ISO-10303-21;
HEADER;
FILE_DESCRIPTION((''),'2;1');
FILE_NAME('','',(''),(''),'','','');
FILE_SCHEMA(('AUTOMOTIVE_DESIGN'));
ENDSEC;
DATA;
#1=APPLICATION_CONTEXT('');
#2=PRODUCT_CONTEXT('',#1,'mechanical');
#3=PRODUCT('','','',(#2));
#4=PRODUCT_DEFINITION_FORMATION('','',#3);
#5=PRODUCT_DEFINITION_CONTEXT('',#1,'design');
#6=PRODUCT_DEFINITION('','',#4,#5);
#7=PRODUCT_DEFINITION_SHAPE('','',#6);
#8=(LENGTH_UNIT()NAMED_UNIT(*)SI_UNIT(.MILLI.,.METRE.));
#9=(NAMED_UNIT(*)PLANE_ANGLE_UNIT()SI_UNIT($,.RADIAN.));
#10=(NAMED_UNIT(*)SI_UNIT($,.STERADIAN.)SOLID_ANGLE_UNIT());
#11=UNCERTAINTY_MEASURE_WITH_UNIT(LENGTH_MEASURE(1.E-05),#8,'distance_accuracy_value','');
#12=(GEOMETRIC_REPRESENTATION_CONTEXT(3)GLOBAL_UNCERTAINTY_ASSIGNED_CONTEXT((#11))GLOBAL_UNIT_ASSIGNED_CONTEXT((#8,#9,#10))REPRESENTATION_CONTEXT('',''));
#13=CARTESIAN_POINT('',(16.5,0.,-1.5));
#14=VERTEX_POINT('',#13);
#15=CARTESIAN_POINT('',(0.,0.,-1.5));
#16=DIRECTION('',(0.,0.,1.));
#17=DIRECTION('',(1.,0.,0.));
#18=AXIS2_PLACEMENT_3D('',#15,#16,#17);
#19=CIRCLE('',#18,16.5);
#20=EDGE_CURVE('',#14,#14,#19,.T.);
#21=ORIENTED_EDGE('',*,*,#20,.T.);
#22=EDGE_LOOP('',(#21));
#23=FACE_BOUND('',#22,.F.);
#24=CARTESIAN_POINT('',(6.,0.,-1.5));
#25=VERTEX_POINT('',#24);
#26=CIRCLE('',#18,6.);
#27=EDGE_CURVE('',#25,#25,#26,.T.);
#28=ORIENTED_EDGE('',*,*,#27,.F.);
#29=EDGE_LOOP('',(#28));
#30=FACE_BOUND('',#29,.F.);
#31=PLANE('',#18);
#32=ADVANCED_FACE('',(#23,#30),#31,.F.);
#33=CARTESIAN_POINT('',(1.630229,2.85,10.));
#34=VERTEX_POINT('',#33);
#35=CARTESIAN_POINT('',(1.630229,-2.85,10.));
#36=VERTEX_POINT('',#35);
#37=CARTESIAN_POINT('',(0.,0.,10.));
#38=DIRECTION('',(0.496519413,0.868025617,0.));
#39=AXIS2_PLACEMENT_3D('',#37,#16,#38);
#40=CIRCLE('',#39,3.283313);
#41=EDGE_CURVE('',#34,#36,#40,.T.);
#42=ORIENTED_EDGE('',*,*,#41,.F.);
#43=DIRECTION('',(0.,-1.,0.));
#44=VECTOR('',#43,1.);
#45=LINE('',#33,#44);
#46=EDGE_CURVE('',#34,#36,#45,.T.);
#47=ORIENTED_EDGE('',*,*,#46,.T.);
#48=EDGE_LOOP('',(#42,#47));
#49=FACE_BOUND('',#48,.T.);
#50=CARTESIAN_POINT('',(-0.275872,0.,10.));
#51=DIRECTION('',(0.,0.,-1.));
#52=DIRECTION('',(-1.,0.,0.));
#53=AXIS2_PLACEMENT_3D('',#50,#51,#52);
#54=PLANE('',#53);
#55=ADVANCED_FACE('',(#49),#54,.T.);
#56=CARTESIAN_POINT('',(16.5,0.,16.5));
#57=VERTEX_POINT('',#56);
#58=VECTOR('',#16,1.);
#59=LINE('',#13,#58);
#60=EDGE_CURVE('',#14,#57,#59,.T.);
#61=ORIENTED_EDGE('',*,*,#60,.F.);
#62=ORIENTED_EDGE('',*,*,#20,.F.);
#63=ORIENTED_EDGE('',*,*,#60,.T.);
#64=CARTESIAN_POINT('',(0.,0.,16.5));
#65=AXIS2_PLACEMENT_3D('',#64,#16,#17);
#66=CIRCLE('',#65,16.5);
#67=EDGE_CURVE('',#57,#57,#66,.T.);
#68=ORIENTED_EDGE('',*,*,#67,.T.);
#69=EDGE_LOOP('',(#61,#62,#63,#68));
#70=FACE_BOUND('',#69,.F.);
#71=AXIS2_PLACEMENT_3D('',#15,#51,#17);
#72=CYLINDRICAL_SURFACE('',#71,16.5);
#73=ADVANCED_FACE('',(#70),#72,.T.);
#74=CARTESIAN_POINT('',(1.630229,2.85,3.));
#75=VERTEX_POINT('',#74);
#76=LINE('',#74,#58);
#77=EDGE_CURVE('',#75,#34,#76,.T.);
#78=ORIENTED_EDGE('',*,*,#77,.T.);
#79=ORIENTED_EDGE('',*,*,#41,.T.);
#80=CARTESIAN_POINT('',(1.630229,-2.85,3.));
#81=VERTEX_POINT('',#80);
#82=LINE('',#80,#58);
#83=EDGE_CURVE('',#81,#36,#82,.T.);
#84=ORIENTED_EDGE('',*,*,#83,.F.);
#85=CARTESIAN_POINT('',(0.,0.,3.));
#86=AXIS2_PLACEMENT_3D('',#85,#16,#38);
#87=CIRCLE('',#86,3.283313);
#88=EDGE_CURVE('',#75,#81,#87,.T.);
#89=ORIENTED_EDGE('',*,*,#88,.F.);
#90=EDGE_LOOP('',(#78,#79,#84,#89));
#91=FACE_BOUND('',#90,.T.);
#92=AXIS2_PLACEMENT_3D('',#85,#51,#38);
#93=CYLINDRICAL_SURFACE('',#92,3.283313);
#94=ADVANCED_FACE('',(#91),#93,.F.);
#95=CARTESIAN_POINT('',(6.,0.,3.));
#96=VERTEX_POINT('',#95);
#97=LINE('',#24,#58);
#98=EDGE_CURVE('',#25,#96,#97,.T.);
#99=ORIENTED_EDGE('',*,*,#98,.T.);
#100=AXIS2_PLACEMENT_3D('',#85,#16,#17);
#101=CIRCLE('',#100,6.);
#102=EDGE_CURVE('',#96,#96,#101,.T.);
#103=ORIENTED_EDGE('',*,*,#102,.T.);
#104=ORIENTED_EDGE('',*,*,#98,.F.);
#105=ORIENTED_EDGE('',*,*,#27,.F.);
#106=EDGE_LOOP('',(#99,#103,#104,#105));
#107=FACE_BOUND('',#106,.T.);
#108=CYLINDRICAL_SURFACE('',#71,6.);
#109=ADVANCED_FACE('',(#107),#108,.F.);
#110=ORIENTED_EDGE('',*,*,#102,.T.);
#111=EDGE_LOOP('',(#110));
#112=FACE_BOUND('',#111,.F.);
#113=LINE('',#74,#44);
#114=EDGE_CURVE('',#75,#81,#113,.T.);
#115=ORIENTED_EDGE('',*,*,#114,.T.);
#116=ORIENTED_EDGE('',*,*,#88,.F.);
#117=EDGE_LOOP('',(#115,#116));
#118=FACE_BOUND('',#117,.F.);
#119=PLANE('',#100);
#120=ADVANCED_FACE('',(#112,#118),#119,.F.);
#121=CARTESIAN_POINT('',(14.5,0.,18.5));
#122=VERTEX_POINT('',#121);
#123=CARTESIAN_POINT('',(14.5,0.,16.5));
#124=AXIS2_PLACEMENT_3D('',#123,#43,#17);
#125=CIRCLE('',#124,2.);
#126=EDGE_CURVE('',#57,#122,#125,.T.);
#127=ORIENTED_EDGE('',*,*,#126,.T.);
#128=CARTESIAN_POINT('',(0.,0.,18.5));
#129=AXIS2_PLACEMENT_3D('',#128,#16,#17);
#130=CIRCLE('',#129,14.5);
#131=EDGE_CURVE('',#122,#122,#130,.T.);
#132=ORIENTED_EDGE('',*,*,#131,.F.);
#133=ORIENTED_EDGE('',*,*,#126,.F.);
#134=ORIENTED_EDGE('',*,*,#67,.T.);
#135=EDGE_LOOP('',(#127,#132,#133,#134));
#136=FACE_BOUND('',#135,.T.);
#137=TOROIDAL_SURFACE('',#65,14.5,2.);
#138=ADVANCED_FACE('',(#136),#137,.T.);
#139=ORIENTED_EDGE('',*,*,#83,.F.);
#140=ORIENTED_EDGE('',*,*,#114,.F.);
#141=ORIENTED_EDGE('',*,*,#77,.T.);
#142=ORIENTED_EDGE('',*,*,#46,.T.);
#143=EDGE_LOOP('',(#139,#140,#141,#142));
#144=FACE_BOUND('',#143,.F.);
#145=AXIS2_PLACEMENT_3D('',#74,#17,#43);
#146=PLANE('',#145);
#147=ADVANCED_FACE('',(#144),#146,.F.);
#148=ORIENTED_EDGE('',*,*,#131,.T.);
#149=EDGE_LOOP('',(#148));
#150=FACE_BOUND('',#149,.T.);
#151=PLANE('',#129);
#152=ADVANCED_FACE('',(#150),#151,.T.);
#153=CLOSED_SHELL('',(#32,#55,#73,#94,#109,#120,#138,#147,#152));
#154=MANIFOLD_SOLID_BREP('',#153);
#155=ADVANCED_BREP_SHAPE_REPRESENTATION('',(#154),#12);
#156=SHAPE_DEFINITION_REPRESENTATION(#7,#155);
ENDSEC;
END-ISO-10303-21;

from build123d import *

# Parameters (mm, degrees)
CYLINDER022_R     = 6
CYLINDER022_DEPTH = 4.5
PAD105_DEPTH      = 7
CYLINDER007_R     = 16.5
CYLINDER007_DEPTH = 20
FILLET013_R       = 2


with BuildPart() as jogwheel_cut001:
    # Cylinder022 → Cylinder022 (new body)
    with BuildSketch(Plane.XY.offset(-1.5)):
        Circle(CYLINDER022_R)
    extrude(amount=CYLINDER022_DEPTH)


with BuildPart() as jogwheel_cut:
    # Sketch082 → Pad105 (new body)
    with BuildSketch(Plane.XY):
        with BuildLine():
            Line((1.630229, 2.85), (1.630229, -2.85))
            ThreePointArc((1.630229, 2.85), (-3.283313, 0), (1.630229, -2.85))
        make_face()
    extrude(amount=PAD105_DEPTH)


with BuildPart() as jogwheel_cut_1:
    # Body018 placement: moved
    add(jogwheel_cut.part.moved(Location((0, 0, 3))))


with BuildPart() as jogwheel002:
    # Cylinder007 → Cylinder007 (new body)
    with BuildSketch(Plane.XY.offset(-1.5)):
        Circle(CYLINDER007_R)
    extrude(amount=CYLINDER007_DEPTH)

    # Cut018: cut JOGWHEEL_cut
    add(jogwheel_cut_1.part, mode=Mode.SUBTRACT)

    # Cut024: cut JOGWHEEL_cut001
    add(jogwheel_cut001.part, mode=Mode.SUBTRACT)

    # Fillet013
    fillet013_edges = [jogwheel002.edges().sort_by_distance(p)[0] for p in [
        (-16.5, 0, 18.5),
    ]]
    fillet(fillet013_edges, radius=FILLET013_R)


solid = jogwheel002.part
